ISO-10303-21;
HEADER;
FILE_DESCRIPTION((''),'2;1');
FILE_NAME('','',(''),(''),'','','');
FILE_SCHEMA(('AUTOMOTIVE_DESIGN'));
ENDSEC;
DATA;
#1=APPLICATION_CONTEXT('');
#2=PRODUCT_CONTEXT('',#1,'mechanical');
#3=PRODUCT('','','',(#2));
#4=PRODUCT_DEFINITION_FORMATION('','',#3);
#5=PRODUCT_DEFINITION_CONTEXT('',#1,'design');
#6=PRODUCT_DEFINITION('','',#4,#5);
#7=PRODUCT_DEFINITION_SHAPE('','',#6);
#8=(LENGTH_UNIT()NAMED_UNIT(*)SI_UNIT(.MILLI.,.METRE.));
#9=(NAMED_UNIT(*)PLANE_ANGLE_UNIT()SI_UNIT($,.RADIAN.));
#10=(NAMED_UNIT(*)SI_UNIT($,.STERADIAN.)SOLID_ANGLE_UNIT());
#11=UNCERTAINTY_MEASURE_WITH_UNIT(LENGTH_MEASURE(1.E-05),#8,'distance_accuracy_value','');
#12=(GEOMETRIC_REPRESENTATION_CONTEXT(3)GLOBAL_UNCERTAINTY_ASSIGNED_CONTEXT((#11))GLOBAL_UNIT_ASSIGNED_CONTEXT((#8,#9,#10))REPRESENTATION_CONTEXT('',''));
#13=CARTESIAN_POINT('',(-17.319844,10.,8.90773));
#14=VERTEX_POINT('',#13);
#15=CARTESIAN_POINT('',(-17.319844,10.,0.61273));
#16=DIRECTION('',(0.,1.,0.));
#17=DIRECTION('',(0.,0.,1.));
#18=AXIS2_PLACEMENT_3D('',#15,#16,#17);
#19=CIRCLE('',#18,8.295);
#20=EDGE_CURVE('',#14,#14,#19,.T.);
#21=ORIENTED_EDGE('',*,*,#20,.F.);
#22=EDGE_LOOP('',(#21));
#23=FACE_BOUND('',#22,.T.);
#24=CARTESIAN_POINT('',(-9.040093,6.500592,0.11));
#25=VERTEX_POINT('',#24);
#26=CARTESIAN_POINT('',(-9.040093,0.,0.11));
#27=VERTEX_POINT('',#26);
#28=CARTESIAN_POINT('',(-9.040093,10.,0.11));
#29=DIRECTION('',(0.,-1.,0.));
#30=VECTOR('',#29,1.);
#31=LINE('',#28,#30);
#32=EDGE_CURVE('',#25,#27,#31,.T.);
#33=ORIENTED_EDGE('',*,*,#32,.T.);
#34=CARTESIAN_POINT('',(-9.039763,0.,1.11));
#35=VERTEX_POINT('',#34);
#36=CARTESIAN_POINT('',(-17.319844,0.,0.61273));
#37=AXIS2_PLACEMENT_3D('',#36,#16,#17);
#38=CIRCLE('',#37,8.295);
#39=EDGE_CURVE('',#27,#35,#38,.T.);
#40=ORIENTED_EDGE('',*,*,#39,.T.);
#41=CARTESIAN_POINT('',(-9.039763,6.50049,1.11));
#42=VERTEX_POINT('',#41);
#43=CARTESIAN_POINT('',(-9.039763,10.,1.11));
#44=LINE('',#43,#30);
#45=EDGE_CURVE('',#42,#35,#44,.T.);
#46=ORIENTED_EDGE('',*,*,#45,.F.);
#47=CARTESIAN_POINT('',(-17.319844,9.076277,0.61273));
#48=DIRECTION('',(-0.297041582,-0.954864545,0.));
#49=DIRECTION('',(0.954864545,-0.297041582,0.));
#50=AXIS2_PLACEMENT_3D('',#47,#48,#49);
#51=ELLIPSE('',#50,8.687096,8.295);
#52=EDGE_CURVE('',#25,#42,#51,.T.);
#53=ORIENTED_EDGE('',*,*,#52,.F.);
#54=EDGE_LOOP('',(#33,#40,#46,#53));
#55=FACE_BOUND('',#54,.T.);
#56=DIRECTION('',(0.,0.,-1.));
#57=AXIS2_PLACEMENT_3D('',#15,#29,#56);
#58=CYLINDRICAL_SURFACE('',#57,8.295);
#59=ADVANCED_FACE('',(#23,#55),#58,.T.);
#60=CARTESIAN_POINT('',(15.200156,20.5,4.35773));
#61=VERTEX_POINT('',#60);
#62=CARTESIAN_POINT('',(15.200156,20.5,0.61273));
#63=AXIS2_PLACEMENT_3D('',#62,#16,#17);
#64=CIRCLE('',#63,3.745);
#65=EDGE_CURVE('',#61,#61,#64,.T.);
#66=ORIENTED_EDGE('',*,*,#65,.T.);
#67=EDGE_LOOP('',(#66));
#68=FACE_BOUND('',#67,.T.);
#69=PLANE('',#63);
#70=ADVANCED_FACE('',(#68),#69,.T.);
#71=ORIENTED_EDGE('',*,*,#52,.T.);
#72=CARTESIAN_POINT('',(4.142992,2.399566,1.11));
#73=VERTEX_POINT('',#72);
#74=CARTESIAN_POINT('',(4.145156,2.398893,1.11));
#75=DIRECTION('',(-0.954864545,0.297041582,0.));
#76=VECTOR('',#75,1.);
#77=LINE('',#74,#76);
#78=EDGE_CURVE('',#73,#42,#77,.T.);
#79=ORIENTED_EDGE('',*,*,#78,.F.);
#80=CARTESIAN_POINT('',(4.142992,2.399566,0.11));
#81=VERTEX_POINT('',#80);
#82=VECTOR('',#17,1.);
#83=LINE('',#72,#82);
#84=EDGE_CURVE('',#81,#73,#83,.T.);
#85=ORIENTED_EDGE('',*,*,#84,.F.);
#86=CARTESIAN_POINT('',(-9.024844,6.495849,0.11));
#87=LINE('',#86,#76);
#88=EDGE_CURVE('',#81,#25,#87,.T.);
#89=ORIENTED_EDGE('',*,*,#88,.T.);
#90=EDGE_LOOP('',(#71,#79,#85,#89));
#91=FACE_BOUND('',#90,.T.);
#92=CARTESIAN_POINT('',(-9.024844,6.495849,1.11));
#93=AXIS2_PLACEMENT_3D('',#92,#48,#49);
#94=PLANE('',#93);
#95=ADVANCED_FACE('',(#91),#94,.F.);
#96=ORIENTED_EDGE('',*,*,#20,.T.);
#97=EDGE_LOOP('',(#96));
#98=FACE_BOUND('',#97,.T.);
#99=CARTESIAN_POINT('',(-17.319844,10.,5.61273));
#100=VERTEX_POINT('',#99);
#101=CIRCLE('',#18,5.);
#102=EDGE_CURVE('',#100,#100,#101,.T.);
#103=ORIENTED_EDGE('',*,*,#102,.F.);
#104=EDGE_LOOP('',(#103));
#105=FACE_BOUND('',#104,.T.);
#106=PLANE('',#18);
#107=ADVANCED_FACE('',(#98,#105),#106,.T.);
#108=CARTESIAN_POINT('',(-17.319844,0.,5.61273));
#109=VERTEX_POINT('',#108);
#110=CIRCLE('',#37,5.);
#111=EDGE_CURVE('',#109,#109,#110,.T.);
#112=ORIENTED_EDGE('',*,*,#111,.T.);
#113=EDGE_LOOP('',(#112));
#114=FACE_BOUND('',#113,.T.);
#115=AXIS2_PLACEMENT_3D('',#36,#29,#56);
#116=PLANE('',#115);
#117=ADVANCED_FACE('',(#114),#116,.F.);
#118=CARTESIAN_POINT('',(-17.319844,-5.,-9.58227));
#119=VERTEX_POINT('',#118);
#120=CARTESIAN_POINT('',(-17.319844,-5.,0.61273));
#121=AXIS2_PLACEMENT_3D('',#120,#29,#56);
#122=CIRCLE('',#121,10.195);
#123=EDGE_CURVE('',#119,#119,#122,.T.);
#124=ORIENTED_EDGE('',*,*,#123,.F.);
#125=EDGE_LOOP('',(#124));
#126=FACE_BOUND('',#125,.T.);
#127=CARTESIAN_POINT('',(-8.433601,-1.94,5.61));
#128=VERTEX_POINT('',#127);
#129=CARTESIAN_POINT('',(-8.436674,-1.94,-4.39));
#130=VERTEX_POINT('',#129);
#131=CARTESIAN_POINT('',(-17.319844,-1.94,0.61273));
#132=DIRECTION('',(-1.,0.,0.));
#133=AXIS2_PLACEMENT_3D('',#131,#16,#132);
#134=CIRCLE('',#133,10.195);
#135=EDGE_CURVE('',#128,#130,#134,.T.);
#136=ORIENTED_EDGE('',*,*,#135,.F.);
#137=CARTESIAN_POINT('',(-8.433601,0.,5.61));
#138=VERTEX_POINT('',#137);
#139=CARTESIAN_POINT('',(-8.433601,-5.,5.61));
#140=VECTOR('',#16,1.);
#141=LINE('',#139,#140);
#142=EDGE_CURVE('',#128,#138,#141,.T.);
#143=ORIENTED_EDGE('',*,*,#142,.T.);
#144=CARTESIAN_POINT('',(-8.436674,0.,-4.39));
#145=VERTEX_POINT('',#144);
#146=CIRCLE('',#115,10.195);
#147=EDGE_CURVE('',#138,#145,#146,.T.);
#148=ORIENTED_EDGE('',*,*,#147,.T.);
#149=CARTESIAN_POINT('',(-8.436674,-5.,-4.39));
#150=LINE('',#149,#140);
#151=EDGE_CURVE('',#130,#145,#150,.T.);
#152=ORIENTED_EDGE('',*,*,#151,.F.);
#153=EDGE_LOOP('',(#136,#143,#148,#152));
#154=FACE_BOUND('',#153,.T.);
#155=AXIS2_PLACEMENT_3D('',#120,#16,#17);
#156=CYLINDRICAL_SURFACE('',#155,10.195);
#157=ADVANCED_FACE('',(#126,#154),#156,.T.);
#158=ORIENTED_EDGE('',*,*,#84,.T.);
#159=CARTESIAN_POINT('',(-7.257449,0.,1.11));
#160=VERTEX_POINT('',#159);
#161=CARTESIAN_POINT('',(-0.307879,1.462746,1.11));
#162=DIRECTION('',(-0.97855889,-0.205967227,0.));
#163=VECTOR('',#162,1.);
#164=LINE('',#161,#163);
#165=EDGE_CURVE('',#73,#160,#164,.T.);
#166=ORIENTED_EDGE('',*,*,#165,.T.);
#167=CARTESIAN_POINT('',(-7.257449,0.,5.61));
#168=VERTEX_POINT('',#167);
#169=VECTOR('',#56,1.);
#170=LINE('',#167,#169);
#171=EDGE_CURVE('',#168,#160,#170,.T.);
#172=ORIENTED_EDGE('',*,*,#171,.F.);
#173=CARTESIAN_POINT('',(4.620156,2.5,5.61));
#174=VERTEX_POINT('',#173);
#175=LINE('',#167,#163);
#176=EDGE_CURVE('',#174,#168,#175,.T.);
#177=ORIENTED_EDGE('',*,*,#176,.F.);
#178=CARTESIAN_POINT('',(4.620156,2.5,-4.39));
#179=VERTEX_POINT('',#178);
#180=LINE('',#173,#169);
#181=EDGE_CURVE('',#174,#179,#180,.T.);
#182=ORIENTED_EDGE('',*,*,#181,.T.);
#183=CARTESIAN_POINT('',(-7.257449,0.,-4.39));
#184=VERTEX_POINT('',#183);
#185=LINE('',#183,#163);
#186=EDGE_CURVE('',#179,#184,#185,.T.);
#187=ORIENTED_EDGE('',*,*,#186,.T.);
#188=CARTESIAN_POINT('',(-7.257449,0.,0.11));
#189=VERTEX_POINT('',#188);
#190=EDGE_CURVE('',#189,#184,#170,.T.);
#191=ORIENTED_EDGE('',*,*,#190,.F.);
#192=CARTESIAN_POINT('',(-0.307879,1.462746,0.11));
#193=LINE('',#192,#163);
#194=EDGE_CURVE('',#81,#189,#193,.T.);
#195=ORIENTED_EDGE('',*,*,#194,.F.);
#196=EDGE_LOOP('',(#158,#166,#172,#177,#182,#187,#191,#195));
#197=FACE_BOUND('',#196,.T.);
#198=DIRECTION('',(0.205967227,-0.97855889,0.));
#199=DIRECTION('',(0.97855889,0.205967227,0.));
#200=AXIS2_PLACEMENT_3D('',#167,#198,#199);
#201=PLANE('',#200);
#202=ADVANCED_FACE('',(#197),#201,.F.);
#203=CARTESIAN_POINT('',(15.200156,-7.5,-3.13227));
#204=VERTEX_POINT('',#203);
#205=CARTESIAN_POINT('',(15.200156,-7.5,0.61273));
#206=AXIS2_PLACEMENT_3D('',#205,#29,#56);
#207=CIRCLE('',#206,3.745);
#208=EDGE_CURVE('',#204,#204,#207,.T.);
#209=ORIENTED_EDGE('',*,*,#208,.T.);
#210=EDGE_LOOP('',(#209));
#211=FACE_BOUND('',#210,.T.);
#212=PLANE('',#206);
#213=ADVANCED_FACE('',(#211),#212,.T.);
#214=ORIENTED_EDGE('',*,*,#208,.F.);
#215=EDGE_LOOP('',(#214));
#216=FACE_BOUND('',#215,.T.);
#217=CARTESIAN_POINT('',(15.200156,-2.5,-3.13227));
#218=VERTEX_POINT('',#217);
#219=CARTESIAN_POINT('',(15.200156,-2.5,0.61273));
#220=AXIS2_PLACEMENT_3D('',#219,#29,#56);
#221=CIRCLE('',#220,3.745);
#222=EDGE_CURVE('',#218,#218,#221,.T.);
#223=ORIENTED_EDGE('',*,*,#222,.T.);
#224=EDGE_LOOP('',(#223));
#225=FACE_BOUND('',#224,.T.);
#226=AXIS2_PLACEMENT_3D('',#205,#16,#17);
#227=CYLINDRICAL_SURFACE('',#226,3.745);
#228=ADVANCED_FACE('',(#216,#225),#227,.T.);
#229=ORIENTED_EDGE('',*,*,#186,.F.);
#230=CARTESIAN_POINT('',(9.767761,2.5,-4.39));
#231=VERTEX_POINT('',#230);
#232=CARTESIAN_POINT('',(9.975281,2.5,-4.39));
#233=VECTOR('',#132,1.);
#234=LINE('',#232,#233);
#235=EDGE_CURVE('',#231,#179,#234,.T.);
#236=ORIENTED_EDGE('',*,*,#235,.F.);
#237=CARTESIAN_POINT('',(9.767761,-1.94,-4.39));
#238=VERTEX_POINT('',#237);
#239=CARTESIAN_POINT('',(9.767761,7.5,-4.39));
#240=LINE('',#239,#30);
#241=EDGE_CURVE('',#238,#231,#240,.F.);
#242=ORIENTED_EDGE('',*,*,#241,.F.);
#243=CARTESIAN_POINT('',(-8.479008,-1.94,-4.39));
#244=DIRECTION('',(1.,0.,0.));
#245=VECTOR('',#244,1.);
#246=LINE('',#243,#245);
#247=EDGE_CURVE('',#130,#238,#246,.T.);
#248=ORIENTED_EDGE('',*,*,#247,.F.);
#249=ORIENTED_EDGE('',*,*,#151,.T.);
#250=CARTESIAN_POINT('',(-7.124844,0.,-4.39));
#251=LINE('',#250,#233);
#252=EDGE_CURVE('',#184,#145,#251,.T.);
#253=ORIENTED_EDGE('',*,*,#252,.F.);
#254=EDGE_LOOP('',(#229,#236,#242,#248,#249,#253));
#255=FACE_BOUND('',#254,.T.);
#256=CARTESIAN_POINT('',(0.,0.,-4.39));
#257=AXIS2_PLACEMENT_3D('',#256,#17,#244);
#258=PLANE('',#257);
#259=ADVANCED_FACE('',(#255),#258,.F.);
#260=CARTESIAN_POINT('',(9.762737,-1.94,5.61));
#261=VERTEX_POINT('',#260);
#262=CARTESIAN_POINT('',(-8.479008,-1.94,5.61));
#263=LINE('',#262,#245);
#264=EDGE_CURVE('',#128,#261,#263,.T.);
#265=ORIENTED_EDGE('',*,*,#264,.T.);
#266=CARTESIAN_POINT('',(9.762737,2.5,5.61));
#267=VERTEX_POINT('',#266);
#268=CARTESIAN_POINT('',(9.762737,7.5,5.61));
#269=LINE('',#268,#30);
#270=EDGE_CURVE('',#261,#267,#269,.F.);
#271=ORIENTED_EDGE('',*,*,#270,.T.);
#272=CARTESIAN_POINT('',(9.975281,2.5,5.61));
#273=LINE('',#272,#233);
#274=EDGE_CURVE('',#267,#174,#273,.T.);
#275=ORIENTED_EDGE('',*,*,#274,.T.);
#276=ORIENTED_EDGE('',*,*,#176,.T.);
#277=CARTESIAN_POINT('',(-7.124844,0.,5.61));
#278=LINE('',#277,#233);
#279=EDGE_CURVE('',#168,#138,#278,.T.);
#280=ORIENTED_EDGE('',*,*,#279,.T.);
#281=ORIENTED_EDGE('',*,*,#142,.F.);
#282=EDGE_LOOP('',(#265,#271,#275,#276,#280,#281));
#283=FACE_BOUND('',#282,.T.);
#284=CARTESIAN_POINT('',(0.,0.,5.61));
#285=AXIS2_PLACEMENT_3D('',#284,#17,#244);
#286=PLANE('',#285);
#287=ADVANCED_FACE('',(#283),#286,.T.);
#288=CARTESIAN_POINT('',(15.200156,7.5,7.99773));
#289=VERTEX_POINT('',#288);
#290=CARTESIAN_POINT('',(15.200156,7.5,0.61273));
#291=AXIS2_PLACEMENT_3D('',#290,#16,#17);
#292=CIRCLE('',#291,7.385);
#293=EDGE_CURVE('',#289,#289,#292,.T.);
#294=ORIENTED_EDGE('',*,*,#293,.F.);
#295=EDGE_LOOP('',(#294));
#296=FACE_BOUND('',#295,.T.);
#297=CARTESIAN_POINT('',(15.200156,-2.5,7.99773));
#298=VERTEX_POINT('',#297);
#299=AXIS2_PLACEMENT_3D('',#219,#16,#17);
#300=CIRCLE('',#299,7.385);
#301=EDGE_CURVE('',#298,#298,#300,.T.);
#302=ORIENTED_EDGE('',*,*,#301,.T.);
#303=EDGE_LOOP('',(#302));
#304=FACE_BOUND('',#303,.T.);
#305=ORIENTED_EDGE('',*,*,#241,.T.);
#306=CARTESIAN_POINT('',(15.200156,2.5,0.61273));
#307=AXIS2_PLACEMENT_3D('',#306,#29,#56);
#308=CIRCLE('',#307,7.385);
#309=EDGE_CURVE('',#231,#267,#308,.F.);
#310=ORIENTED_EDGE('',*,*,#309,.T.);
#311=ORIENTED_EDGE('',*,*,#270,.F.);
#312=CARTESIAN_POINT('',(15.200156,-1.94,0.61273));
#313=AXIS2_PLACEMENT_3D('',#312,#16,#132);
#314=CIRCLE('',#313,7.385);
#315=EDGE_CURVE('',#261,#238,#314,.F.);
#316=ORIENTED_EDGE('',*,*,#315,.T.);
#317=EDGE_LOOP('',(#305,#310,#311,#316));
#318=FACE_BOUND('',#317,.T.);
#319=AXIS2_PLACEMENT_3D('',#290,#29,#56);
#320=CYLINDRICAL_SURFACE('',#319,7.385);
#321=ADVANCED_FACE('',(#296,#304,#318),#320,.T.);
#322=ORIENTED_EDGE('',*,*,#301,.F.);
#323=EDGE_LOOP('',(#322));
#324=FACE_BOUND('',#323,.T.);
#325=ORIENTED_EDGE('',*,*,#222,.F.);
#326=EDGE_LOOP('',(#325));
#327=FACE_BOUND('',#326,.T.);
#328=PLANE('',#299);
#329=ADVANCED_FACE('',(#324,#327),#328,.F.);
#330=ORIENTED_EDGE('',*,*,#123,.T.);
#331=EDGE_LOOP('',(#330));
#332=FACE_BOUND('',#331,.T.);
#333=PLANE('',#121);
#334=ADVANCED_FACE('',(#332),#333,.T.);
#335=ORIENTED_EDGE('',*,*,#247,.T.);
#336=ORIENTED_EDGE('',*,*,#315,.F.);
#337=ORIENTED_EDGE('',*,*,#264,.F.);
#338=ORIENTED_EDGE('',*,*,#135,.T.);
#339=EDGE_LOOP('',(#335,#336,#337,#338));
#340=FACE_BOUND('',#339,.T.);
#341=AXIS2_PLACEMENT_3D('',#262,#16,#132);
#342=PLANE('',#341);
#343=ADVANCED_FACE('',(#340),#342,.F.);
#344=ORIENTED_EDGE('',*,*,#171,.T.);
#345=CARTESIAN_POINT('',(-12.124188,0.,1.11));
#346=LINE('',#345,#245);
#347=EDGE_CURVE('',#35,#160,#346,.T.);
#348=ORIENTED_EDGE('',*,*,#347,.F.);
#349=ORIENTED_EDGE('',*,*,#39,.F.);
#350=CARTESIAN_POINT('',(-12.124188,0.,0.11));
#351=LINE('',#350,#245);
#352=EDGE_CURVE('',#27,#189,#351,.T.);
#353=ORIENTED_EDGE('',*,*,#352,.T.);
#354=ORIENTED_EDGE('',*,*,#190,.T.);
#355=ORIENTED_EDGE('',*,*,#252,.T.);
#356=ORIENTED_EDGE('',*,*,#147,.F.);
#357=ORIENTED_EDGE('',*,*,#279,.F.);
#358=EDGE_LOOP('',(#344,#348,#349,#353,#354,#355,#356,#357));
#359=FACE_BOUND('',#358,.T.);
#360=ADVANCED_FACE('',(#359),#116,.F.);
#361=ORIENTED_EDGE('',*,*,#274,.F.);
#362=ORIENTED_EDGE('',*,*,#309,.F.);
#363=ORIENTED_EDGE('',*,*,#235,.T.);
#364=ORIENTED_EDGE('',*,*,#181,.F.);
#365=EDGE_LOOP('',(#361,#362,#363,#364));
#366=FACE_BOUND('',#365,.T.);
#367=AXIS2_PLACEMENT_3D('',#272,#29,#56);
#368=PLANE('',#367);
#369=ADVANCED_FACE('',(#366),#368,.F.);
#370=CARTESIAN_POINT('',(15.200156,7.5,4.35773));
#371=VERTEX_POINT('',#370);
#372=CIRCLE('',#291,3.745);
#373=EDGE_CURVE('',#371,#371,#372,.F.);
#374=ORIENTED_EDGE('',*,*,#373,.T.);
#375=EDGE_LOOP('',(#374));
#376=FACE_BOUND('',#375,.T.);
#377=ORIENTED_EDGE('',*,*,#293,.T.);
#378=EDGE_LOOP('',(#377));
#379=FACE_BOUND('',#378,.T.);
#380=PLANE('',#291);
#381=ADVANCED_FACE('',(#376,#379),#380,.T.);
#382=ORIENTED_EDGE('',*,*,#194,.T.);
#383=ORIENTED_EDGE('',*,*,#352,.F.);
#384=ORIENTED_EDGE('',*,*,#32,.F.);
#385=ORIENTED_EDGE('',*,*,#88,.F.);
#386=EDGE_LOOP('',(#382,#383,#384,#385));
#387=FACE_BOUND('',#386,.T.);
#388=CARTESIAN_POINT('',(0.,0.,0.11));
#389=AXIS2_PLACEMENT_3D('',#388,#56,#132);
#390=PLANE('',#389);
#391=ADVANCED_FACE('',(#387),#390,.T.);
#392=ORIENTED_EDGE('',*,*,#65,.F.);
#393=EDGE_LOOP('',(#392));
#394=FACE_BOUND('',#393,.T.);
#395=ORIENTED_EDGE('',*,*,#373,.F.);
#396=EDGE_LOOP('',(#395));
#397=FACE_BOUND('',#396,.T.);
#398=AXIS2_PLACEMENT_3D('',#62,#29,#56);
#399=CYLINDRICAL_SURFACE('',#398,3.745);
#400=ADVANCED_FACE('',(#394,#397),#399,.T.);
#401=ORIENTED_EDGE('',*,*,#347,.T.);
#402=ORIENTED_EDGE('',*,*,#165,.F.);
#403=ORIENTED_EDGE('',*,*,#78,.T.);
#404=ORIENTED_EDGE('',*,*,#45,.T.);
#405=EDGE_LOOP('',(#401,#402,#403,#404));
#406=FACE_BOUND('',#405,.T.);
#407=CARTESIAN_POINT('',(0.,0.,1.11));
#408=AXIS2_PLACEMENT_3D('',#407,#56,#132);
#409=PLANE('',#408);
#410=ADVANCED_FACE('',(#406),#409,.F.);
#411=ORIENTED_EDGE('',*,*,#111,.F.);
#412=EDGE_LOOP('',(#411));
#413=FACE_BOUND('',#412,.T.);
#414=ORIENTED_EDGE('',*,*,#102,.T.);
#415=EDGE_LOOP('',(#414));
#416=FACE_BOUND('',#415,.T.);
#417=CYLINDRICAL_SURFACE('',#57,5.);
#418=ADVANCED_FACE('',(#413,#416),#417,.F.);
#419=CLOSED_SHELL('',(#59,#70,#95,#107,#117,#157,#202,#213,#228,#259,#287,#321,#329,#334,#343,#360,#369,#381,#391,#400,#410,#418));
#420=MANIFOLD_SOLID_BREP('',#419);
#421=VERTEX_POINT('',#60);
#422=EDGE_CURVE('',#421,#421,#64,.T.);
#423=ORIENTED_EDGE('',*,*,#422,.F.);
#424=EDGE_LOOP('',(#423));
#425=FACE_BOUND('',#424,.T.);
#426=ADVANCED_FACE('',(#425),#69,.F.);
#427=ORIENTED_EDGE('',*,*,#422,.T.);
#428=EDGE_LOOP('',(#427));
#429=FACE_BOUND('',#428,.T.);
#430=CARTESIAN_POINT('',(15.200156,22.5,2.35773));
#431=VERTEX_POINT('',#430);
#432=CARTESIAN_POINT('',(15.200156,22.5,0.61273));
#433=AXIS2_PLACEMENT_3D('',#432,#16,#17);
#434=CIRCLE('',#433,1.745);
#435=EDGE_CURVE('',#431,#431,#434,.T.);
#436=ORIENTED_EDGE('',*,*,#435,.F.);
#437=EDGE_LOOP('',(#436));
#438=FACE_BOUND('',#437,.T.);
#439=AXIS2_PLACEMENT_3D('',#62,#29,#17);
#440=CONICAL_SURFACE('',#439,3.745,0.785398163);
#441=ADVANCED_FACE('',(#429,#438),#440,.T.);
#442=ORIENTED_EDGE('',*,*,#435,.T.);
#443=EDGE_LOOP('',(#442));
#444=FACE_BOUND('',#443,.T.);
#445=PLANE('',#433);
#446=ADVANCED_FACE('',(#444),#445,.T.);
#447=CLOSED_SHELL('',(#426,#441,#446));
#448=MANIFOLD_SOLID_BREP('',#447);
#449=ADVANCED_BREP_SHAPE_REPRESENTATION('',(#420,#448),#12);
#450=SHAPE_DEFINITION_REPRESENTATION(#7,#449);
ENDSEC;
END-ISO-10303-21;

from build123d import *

# Parameters (mm, degrees)
CROQUIS1_R               = 8.295
CROQUIS1_R_2             = 5
SALIENTE_EXTRUIR1_DEPTH  = 10
CROQUIS2_R               = 10.195
SALIENTE_EXTRUIR2_DEPTH  = 5
CROQUIS5_R               = 3.745
SALIENTE_EXTRUIR3_DEPTH  = 2.5
CROQUIS6_R               = 7.385
SALIENTE_EXTRUIR4_DEPTH  = 10
CROQUIS7_R               = 3.745
CORTAR_EXTRUIR3_DEPTH    = 10
CROQUIS8_R               = 3.745
SALIENTE_EXTRUIR5_DEPTH  = 23
CROQUIS9_R               = 3.745
SALIENTE_EXTRUIR6_DEPTH  = 2
SALIENTE_EXTRUIR6_TAPER  = 45
SALIENTE_EXTRUIR16_DEPTH = 5
SALIENTE_EXTRUIR19_DEPTH = 0.5
SALIENTE_EXTRUIR20_DEPTH = 5


with BuildPart() as part:
    # Croquis1 → Saliente-Extruir1 (new body)
    with BuildSketch(Plane(origin=(0, 0, 0), x_dir=(1, 0, 0), z_dir=(0, 1, 0))):
        with Locations(Location((-17.319844218, -0.612730338, 0), (0, 0, 270))):
            Circle(CROQUIS1_R)
        with Locations(Location((-17.319844218, -0.612730338, 0), (0, 0, 270))):
            Circle(CROQUIS1_R_2, mode=Mode.SUBTRACT)
    extrude(amount=SALIENTE_EXTRUIR1_DEPTH)

    # Croquis2 → Saliente-Extruir2 (add)
    with BuildSketch(Plane.XZ):
        with Locations(Location((-17.319844218, 0.612730338, 0), (0, 0, 270))):
            Circle(CROQUIS2_R)
    extrude(amount=SALIENTE_EXTRUIR2_DEPTH)



with BuildPart() as body_2:
    # Croquis5 → Saliente-Extruir3 (new, symmetric)
    with BuildSketch(Plane.XZ.offset(5)):
        with Locations(Location((15.200155782, 0.612730338, 0), (0, 0, 270))):
            Circle(CROQUIS5_R)
    extrude(amount=SALIENTE_EXTRUIR3_DEPTH, both=True)

    # Croquis6 → Saliente-Extruir4 (add)
    with BuildSketch(Plane(origin=(0, -2.5, 0), x_dir=(1, 0, 0), z_dir=(0, 1, 0))):
        with Locations(Location((15.200155782, -0.612730338, 0), (0, 0, 270))):
            Circle(CROQUIS6_R)
    extrude(amount=SALIENTE_EXTRUIR4_DEPTH)

    # Croquis7 → Cortar-Extruir3 (cut)
    with BuildSketch(Plane.XZ.offset(2.5)):
        with Locations(Location((15.200155782, 0.612730338, 0), (0, 0, 270))):
            Circle(CROQUIS7_R)
    extrude(amount=-CORTAR_EXTRUIR3_DEPTH, mode=Mode.SUBTRACT)


with BuildPart() as cortar_extruir3_piece_1:
    # of the separate pieces the step leaves, piece 1, a body of its own (cortar_extruir3_pieces)
    add(body_2.part.solids().sort_by_distance((15.200155782, -2.5, 7.997730338))[0])



with BuildPart() as cortar_extruir3_piece_2:
    # of the separate pieces the step leaves, piece 2, a body of its own (cortar_extruir3_pieces)
    add(body_2.part.solids().sort_by_distance((15.200155782, -7.5, -3.132269662))[0])


with BuildPart() as cortar_extruir3_piece_1_1:
    add(cortar_extruir3_piece_1.part)

    add(cortar_extruir3_piece_2.part)  # Saliente-Extruir5 merges Cortar-Extruir3 piece 2
    # Croquis8 → Saliente-Extruir5 (add)
    with BuildSketch(Plane(origin=(0, -2.5, 0), x_dir=(1, 0, 0), z_dir=(0, 1, 0))):
        with Locations(Location((15.200155782, -0.612730338, 0), (0, 0, 270))):
            Circle(CROQUIS8_R)
    extrude(amount=SALIENTE_EXTRUIR5_DEPTH)


with BuildPart() as body_3:
    # Croquis9 → Saliente-Extruir6 (new body)
    with BuildSketch(Plane(origin=(0, 20.5, 0), x_dir=(1, 0, 0), z_dir=(0, 1, 0))):
        with Locations(Location((15.200155782, -0.612730338, 0), (0, 0, 270))):
            Circle(CROQUIS9_R)
    extrude(amount=SALIENTE_EXTRUIR6_DEPTH, taper=SALIENTE_EXTRUIR6_TAPER)


with BuildPart() as part_1:
    add(part.part)

    add(cortar_extruir3_piece_1_1.part)  # Saliente-Extruir16 merges Cortar-Extruir3 piece 1
    # Croquis20 → Saliente-Extruir16 (add, symmetric)
    with BuildSketch(Plane.XY.offset(0.61)):
        Polygon((-8.479007735, 0), (-8.479007735, -1.94), (9.975281452, -1.94), (9.975281452, 2.5), (4.620155782, 2.5), (-7.124844218, 0), align=None)
    extrude(amount=SALIENTE_EXTRUIR16_DEPTH, both=True)

    # Croquis21 → Saliente-Extruir19 (add, symmetric)
    with BuildSketch(Plane.XY.offset(0.61)):
        Polygon((-7.124844218, 0), (4.145155782, 2.398893146), (-9.024844218, 6.495848731), (-12.124187609, 7.46), (-12.124187609, 0), align=None)
    extrude(amount=SALIENTE_EXTRUIR19_DEPTH, both=True)

    # Croquis22 → Saliente-Extruir20 (add, symmetric)
    with BuildSketch(Plane.XY.offset(0.61)):
        Polygon((-8.433600865, 0), (-8.433600865, -1.94), (9.762737192, -1.94), (9.762737192, 2.5), (7.424161683, 2.5), (4.620155782, 2.5), (-7.257448558, 0), align=None)
    extrude(amount=SALIENTE_EXTRUIR20_DEPTH, both=True)


solid = Compound([body_3.part, part_1.part])
